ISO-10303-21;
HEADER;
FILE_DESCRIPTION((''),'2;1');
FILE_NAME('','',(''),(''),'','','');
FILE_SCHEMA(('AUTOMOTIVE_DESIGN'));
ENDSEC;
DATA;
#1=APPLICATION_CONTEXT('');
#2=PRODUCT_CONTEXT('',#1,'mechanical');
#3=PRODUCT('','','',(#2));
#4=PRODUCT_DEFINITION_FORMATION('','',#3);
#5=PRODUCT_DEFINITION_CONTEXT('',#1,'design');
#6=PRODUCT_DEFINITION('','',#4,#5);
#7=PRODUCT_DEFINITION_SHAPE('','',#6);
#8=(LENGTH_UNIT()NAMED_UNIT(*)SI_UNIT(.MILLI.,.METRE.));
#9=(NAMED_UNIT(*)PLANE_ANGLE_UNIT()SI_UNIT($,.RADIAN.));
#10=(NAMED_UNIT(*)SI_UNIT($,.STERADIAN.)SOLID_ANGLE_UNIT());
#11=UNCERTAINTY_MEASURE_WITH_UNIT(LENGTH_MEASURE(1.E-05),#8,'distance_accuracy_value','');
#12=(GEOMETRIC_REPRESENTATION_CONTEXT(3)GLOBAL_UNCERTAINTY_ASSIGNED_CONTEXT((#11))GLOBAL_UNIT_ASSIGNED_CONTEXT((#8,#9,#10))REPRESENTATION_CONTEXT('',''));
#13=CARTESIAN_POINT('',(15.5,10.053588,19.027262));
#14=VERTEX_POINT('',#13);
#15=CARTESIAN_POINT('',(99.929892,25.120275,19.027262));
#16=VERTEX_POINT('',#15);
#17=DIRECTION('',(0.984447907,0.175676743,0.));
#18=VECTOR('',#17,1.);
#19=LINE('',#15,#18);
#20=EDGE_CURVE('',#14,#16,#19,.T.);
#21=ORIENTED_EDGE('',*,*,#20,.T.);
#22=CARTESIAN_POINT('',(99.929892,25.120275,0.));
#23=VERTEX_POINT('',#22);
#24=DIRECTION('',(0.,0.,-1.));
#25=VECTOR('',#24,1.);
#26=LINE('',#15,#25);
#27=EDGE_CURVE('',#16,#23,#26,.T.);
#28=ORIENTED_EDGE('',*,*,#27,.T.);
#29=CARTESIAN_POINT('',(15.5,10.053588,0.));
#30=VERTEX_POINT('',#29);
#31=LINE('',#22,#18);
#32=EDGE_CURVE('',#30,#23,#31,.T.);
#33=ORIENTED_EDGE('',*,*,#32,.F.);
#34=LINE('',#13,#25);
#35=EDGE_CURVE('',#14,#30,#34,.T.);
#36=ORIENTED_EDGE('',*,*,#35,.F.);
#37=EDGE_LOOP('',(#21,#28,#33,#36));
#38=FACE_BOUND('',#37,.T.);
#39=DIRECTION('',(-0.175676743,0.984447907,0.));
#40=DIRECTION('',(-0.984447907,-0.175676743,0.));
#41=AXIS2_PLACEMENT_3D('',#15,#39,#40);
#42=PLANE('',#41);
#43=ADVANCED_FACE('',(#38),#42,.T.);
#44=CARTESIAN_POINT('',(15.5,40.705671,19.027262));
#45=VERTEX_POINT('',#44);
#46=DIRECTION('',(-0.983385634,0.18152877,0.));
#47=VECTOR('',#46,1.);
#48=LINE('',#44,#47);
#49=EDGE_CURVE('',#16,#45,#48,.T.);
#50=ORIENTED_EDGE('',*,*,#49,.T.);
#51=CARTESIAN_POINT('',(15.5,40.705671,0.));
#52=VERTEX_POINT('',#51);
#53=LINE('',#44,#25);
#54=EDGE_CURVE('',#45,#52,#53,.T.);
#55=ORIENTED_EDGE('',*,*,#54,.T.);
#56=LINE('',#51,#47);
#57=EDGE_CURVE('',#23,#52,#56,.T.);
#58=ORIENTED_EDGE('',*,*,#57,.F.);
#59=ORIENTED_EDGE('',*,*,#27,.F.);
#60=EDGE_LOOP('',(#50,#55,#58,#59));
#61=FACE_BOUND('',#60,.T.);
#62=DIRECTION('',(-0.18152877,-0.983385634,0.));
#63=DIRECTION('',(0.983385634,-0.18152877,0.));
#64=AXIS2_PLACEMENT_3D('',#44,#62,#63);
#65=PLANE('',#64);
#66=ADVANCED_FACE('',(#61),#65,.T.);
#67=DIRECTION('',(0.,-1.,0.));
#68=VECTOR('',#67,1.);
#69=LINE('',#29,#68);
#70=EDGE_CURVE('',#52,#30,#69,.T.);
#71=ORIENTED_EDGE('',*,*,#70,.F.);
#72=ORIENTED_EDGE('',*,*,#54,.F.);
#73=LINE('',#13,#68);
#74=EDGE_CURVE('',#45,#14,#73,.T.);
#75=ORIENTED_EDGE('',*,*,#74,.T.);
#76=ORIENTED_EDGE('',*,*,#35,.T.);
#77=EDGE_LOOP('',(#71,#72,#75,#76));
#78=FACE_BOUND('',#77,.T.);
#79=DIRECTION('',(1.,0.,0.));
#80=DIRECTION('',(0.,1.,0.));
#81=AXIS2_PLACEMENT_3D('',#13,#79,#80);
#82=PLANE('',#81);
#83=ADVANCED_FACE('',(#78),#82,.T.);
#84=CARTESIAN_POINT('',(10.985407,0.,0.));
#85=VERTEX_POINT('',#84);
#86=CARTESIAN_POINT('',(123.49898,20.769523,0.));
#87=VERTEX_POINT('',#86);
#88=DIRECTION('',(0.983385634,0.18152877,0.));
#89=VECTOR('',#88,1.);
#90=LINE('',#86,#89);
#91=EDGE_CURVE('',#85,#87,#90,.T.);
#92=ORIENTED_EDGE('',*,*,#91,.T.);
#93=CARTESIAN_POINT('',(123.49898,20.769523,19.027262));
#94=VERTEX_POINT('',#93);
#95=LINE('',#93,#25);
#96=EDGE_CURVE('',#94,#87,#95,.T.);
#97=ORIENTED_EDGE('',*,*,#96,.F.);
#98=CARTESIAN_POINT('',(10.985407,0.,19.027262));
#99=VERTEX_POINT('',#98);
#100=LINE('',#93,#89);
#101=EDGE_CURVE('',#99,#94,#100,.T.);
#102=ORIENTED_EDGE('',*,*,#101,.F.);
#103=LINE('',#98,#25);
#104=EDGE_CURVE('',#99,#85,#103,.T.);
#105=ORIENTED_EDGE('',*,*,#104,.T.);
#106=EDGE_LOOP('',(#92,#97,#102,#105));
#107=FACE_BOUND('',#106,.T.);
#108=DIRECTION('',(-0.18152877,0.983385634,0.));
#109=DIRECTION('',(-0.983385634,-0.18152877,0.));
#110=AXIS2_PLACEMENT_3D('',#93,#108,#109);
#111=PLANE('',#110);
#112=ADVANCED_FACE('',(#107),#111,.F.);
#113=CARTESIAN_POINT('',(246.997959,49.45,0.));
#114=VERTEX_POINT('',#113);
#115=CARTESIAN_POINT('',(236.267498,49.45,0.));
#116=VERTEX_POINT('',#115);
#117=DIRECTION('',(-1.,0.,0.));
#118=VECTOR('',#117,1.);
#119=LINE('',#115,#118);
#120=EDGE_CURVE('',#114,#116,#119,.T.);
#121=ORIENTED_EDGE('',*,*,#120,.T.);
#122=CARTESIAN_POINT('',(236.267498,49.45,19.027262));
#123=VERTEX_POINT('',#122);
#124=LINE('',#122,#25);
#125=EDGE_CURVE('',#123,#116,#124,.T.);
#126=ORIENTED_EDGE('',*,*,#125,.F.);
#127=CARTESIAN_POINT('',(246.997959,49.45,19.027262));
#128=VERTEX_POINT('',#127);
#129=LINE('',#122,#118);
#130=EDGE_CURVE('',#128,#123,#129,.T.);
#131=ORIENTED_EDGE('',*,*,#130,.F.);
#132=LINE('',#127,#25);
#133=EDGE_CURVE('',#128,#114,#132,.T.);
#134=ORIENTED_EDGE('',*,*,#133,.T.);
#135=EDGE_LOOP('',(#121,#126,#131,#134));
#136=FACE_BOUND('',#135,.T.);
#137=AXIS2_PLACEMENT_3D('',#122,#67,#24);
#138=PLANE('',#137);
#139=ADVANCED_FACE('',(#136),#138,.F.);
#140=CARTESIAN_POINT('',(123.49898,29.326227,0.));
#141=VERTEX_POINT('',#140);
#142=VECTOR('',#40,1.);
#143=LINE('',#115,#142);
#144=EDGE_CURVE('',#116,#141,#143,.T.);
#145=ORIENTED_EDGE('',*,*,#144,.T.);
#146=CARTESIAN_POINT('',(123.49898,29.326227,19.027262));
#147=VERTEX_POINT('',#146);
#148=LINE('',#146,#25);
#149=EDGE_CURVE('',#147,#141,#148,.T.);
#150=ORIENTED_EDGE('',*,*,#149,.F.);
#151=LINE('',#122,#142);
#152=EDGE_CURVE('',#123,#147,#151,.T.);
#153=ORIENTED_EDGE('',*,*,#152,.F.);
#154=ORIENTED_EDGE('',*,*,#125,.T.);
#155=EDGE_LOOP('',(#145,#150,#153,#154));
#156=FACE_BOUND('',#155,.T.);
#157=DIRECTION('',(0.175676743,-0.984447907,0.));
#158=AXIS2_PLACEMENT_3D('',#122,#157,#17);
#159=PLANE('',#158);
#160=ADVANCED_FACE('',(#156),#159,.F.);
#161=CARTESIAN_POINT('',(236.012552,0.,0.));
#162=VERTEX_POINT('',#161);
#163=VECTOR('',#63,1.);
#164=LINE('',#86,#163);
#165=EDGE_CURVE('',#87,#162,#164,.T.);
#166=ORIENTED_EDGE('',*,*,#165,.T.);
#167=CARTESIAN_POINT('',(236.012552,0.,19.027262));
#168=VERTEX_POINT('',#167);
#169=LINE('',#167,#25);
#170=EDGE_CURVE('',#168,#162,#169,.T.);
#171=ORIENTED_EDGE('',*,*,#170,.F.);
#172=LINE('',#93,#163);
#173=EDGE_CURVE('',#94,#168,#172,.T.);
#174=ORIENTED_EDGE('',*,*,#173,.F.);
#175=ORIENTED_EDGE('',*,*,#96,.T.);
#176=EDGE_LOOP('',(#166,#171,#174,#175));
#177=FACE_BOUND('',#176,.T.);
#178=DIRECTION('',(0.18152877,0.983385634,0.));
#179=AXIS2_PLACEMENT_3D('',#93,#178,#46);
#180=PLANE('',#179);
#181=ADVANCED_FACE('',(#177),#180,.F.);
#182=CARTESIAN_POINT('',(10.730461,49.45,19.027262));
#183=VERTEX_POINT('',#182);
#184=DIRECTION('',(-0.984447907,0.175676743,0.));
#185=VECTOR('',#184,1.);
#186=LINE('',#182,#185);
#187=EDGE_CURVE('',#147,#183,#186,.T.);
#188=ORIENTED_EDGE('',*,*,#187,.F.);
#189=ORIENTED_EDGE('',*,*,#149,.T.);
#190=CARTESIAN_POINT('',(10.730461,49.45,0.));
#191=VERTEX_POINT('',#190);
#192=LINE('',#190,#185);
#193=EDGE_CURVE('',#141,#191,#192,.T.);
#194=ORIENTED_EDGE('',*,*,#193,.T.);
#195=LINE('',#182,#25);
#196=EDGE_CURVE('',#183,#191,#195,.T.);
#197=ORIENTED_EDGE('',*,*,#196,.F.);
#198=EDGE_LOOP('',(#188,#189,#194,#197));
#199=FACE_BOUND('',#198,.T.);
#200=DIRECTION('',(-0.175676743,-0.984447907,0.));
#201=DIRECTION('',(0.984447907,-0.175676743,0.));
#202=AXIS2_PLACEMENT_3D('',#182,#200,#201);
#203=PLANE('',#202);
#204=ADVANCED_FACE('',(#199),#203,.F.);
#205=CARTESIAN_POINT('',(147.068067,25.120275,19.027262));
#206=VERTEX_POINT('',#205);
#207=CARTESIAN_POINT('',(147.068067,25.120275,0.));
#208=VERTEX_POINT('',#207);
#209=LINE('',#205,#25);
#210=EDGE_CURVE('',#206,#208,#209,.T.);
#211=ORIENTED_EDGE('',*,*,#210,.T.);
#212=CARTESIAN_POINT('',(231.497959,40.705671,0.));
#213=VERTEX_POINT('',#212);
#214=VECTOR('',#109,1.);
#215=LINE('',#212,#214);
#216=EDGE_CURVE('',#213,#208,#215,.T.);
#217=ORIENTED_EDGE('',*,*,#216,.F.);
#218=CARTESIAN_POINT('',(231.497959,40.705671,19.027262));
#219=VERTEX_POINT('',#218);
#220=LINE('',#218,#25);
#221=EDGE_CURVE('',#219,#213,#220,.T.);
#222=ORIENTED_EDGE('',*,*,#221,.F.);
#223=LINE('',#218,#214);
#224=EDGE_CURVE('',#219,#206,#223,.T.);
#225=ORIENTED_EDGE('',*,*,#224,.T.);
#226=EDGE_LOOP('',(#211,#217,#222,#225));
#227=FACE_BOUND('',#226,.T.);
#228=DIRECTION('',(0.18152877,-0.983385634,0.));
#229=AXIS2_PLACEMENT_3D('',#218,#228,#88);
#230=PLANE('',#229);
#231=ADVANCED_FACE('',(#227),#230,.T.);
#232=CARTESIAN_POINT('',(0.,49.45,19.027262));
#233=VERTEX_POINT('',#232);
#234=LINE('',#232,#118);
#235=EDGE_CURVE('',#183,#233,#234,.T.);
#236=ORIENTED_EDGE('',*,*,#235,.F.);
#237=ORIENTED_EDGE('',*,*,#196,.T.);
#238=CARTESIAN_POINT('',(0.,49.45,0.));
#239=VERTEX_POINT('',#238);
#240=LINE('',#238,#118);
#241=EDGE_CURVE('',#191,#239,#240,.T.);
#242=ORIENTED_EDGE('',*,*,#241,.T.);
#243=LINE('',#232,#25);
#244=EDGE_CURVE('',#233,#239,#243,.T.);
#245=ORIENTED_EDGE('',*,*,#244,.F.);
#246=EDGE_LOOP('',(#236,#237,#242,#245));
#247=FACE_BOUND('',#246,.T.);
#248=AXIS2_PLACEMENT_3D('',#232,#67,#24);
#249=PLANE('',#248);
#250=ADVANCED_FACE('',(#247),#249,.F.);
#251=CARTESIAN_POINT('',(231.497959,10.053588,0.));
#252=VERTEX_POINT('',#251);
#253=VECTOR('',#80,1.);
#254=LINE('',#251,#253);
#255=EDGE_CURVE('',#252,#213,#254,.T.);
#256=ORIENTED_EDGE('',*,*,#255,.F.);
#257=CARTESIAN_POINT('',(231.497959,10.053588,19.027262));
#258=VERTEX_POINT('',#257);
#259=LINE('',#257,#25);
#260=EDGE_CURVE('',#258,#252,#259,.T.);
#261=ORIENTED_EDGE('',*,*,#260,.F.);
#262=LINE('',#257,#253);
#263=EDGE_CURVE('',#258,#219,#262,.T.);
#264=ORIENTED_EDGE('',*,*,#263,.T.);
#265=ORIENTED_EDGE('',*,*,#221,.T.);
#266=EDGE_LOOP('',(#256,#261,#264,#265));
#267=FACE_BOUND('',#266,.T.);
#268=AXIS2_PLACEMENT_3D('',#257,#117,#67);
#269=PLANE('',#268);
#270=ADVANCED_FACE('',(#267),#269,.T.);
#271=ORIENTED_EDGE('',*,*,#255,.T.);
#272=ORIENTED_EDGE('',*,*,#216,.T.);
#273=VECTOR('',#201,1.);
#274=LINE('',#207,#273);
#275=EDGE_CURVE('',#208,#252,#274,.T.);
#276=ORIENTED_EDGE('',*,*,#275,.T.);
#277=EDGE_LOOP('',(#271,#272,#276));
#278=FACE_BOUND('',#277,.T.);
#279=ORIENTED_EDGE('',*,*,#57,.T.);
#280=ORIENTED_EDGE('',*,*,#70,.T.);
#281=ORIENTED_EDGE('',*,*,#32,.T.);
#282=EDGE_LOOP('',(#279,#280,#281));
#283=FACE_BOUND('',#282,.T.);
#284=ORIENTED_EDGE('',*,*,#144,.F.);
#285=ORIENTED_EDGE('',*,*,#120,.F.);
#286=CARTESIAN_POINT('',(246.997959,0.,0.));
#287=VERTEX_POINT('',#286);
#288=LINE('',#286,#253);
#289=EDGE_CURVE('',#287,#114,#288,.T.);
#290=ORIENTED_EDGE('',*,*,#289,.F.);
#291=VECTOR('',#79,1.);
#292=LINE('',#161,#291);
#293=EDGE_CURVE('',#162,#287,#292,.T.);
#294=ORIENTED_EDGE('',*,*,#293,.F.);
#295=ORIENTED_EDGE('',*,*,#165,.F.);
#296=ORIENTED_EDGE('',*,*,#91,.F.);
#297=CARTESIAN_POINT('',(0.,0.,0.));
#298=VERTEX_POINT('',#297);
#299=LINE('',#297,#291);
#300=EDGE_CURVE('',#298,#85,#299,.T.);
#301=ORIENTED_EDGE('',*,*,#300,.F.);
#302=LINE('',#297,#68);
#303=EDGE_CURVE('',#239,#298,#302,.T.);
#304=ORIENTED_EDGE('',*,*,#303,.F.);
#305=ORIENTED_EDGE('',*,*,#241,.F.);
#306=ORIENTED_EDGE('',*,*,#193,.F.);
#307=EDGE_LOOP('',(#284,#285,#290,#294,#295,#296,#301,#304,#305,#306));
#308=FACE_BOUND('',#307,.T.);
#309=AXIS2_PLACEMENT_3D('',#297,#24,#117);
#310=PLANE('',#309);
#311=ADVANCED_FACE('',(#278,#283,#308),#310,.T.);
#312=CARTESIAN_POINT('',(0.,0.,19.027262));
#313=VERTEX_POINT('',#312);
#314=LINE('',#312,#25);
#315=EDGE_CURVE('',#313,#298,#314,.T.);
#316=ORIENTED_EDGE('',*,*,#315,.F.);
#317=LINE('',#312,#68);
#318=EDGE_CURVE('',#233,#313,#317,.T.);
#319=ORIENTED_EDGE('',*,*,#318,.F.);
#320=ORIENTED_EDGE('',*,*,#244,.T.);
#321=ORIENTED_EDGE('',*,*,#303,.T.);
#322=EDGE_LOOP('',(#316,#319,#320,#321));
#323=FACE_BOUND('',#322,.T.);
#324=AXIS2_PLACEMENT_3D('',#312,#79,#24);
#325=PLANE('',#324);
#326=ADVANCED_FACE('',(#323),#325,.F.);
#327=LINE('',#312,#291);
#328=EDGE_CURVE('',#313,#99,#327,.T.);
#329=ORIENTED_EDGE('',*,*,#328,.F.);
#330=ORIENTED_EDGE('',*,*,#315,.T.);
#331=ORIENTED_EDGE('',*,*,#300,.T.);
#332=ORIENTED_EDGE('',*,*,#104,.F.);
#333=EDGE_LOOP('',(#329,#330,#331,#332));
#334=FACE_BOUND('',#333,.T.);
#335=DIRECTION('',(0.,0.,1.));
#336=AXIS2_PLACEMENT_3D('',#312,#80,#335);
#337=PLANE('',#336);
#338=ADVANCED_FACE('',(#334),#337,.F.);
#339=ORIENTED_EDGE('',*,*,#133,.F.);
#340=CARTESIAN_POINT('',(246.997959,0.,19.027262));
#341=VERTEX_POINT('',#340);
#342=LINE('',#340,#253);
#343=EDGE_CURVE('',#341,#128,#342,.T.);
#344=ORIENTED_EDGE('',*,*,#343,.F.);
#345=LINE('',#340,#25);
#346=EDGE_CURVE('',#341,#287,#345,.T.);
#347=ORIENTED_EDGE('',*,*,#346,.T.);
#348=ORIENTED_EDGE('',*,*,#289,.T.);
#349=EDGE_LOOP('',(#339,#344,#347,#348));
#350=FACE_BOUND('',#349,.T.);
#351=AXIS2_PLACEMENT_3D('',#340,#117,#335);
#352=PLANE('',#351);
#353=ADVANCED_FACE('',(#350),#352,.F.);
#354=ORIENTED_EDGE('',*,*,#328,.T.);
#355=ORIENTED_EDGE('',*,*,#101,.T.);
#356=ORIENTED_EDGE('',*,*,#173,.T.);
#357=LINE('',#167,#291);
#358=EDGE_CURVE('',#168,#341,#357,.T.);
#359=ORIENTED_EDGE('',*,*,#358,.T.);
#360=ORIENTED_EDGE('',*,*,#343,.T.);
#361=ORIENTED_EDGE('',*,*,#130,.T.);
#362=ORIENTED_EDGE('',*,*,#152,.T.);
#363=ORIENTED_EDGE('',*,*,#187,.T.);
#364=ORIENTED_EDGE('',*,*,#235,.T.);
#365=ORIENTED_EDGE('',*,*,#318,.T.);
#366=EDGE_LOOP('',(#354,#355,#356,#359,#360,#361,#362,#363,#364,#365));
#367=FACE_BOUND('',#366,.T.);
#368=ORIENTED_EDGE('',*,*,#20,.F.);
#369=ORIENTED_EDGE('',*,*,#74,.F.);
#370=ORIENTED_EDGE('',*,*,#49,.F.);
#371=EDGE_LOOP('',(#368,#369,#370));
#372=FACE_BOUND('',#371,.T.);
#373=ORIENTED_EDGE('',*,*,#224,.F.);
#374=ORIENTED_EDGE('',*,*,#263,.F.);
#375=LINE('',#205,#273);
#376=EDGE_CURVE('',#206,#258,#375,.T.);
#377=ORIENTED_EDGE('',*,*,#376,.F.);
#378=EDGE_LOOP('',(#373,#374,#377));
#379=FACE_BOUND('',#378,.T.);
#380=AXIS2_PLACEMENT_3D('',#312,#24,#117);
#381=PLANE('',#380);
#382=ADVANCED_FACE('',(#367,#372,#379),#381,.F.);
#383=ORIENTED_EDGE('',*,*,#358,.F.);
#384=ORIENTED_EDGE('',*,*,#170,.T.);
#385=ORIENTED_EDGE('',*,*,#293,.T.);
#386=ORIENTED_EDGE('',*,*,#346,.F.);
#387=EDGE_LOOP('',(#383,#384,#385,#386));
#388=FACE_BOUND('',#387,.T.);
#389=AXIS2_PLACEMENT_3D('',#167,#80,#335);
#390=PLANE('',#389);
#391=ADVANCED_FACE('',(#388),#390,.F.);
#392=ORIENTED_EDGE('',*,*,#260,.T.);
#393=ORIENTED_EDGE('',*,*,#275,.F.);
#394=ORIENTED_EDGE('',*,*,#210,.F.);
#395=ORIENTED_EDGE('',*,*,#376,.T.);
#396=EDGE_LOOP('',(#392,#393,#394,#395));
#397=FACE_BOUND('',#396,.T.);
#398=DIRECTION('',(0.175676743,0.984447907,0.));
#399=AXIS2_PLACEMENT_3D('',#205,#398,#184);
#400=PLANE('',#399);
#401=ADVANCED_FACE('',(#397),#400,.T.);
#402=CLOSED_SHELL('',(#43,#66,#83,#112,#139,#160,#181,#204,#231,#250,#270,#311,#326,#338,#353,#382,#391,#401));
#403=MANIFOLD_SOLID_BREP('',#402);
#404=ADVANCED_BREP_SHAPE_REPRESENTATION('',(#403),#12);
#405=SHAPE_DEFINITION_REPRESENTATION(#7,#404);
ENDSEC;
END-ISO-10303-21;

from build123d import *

# Parameters (mm, degrees)
BOSS_EXTRUDE1_DEPTH = 19.0272625


with BuildPart() as part:
    # Sketch1 → Boss-Extrude1 (new body)
    with BuildSketch(Plane.XY):
        Polygon((0, 0), (10.985406775, 0), (123.4989795, 20.769522906), (236.012552225, 0), (246.997959, 0), (246.997959, 49.45), (236.267497729, 49.45), (123.4989795, 29.326227234), (10.730461271, 49.45), (0, 49.45), align=None)
        Polygon((15.5, 40.705671267), (99.929892015, 25.120275357), (15.5, 10.053588411), align=None, mode=Mode.SUBTRACT)
        Polygon((231.497959, 40.705671267), (147.068066985, 25.120275357), (231.497959, 10.053588411), align=None, mode=Mode.SUBTRACT)
    extrude(amount=BOSS_EXTRUDE1_DEPTH)


solid = part.part
